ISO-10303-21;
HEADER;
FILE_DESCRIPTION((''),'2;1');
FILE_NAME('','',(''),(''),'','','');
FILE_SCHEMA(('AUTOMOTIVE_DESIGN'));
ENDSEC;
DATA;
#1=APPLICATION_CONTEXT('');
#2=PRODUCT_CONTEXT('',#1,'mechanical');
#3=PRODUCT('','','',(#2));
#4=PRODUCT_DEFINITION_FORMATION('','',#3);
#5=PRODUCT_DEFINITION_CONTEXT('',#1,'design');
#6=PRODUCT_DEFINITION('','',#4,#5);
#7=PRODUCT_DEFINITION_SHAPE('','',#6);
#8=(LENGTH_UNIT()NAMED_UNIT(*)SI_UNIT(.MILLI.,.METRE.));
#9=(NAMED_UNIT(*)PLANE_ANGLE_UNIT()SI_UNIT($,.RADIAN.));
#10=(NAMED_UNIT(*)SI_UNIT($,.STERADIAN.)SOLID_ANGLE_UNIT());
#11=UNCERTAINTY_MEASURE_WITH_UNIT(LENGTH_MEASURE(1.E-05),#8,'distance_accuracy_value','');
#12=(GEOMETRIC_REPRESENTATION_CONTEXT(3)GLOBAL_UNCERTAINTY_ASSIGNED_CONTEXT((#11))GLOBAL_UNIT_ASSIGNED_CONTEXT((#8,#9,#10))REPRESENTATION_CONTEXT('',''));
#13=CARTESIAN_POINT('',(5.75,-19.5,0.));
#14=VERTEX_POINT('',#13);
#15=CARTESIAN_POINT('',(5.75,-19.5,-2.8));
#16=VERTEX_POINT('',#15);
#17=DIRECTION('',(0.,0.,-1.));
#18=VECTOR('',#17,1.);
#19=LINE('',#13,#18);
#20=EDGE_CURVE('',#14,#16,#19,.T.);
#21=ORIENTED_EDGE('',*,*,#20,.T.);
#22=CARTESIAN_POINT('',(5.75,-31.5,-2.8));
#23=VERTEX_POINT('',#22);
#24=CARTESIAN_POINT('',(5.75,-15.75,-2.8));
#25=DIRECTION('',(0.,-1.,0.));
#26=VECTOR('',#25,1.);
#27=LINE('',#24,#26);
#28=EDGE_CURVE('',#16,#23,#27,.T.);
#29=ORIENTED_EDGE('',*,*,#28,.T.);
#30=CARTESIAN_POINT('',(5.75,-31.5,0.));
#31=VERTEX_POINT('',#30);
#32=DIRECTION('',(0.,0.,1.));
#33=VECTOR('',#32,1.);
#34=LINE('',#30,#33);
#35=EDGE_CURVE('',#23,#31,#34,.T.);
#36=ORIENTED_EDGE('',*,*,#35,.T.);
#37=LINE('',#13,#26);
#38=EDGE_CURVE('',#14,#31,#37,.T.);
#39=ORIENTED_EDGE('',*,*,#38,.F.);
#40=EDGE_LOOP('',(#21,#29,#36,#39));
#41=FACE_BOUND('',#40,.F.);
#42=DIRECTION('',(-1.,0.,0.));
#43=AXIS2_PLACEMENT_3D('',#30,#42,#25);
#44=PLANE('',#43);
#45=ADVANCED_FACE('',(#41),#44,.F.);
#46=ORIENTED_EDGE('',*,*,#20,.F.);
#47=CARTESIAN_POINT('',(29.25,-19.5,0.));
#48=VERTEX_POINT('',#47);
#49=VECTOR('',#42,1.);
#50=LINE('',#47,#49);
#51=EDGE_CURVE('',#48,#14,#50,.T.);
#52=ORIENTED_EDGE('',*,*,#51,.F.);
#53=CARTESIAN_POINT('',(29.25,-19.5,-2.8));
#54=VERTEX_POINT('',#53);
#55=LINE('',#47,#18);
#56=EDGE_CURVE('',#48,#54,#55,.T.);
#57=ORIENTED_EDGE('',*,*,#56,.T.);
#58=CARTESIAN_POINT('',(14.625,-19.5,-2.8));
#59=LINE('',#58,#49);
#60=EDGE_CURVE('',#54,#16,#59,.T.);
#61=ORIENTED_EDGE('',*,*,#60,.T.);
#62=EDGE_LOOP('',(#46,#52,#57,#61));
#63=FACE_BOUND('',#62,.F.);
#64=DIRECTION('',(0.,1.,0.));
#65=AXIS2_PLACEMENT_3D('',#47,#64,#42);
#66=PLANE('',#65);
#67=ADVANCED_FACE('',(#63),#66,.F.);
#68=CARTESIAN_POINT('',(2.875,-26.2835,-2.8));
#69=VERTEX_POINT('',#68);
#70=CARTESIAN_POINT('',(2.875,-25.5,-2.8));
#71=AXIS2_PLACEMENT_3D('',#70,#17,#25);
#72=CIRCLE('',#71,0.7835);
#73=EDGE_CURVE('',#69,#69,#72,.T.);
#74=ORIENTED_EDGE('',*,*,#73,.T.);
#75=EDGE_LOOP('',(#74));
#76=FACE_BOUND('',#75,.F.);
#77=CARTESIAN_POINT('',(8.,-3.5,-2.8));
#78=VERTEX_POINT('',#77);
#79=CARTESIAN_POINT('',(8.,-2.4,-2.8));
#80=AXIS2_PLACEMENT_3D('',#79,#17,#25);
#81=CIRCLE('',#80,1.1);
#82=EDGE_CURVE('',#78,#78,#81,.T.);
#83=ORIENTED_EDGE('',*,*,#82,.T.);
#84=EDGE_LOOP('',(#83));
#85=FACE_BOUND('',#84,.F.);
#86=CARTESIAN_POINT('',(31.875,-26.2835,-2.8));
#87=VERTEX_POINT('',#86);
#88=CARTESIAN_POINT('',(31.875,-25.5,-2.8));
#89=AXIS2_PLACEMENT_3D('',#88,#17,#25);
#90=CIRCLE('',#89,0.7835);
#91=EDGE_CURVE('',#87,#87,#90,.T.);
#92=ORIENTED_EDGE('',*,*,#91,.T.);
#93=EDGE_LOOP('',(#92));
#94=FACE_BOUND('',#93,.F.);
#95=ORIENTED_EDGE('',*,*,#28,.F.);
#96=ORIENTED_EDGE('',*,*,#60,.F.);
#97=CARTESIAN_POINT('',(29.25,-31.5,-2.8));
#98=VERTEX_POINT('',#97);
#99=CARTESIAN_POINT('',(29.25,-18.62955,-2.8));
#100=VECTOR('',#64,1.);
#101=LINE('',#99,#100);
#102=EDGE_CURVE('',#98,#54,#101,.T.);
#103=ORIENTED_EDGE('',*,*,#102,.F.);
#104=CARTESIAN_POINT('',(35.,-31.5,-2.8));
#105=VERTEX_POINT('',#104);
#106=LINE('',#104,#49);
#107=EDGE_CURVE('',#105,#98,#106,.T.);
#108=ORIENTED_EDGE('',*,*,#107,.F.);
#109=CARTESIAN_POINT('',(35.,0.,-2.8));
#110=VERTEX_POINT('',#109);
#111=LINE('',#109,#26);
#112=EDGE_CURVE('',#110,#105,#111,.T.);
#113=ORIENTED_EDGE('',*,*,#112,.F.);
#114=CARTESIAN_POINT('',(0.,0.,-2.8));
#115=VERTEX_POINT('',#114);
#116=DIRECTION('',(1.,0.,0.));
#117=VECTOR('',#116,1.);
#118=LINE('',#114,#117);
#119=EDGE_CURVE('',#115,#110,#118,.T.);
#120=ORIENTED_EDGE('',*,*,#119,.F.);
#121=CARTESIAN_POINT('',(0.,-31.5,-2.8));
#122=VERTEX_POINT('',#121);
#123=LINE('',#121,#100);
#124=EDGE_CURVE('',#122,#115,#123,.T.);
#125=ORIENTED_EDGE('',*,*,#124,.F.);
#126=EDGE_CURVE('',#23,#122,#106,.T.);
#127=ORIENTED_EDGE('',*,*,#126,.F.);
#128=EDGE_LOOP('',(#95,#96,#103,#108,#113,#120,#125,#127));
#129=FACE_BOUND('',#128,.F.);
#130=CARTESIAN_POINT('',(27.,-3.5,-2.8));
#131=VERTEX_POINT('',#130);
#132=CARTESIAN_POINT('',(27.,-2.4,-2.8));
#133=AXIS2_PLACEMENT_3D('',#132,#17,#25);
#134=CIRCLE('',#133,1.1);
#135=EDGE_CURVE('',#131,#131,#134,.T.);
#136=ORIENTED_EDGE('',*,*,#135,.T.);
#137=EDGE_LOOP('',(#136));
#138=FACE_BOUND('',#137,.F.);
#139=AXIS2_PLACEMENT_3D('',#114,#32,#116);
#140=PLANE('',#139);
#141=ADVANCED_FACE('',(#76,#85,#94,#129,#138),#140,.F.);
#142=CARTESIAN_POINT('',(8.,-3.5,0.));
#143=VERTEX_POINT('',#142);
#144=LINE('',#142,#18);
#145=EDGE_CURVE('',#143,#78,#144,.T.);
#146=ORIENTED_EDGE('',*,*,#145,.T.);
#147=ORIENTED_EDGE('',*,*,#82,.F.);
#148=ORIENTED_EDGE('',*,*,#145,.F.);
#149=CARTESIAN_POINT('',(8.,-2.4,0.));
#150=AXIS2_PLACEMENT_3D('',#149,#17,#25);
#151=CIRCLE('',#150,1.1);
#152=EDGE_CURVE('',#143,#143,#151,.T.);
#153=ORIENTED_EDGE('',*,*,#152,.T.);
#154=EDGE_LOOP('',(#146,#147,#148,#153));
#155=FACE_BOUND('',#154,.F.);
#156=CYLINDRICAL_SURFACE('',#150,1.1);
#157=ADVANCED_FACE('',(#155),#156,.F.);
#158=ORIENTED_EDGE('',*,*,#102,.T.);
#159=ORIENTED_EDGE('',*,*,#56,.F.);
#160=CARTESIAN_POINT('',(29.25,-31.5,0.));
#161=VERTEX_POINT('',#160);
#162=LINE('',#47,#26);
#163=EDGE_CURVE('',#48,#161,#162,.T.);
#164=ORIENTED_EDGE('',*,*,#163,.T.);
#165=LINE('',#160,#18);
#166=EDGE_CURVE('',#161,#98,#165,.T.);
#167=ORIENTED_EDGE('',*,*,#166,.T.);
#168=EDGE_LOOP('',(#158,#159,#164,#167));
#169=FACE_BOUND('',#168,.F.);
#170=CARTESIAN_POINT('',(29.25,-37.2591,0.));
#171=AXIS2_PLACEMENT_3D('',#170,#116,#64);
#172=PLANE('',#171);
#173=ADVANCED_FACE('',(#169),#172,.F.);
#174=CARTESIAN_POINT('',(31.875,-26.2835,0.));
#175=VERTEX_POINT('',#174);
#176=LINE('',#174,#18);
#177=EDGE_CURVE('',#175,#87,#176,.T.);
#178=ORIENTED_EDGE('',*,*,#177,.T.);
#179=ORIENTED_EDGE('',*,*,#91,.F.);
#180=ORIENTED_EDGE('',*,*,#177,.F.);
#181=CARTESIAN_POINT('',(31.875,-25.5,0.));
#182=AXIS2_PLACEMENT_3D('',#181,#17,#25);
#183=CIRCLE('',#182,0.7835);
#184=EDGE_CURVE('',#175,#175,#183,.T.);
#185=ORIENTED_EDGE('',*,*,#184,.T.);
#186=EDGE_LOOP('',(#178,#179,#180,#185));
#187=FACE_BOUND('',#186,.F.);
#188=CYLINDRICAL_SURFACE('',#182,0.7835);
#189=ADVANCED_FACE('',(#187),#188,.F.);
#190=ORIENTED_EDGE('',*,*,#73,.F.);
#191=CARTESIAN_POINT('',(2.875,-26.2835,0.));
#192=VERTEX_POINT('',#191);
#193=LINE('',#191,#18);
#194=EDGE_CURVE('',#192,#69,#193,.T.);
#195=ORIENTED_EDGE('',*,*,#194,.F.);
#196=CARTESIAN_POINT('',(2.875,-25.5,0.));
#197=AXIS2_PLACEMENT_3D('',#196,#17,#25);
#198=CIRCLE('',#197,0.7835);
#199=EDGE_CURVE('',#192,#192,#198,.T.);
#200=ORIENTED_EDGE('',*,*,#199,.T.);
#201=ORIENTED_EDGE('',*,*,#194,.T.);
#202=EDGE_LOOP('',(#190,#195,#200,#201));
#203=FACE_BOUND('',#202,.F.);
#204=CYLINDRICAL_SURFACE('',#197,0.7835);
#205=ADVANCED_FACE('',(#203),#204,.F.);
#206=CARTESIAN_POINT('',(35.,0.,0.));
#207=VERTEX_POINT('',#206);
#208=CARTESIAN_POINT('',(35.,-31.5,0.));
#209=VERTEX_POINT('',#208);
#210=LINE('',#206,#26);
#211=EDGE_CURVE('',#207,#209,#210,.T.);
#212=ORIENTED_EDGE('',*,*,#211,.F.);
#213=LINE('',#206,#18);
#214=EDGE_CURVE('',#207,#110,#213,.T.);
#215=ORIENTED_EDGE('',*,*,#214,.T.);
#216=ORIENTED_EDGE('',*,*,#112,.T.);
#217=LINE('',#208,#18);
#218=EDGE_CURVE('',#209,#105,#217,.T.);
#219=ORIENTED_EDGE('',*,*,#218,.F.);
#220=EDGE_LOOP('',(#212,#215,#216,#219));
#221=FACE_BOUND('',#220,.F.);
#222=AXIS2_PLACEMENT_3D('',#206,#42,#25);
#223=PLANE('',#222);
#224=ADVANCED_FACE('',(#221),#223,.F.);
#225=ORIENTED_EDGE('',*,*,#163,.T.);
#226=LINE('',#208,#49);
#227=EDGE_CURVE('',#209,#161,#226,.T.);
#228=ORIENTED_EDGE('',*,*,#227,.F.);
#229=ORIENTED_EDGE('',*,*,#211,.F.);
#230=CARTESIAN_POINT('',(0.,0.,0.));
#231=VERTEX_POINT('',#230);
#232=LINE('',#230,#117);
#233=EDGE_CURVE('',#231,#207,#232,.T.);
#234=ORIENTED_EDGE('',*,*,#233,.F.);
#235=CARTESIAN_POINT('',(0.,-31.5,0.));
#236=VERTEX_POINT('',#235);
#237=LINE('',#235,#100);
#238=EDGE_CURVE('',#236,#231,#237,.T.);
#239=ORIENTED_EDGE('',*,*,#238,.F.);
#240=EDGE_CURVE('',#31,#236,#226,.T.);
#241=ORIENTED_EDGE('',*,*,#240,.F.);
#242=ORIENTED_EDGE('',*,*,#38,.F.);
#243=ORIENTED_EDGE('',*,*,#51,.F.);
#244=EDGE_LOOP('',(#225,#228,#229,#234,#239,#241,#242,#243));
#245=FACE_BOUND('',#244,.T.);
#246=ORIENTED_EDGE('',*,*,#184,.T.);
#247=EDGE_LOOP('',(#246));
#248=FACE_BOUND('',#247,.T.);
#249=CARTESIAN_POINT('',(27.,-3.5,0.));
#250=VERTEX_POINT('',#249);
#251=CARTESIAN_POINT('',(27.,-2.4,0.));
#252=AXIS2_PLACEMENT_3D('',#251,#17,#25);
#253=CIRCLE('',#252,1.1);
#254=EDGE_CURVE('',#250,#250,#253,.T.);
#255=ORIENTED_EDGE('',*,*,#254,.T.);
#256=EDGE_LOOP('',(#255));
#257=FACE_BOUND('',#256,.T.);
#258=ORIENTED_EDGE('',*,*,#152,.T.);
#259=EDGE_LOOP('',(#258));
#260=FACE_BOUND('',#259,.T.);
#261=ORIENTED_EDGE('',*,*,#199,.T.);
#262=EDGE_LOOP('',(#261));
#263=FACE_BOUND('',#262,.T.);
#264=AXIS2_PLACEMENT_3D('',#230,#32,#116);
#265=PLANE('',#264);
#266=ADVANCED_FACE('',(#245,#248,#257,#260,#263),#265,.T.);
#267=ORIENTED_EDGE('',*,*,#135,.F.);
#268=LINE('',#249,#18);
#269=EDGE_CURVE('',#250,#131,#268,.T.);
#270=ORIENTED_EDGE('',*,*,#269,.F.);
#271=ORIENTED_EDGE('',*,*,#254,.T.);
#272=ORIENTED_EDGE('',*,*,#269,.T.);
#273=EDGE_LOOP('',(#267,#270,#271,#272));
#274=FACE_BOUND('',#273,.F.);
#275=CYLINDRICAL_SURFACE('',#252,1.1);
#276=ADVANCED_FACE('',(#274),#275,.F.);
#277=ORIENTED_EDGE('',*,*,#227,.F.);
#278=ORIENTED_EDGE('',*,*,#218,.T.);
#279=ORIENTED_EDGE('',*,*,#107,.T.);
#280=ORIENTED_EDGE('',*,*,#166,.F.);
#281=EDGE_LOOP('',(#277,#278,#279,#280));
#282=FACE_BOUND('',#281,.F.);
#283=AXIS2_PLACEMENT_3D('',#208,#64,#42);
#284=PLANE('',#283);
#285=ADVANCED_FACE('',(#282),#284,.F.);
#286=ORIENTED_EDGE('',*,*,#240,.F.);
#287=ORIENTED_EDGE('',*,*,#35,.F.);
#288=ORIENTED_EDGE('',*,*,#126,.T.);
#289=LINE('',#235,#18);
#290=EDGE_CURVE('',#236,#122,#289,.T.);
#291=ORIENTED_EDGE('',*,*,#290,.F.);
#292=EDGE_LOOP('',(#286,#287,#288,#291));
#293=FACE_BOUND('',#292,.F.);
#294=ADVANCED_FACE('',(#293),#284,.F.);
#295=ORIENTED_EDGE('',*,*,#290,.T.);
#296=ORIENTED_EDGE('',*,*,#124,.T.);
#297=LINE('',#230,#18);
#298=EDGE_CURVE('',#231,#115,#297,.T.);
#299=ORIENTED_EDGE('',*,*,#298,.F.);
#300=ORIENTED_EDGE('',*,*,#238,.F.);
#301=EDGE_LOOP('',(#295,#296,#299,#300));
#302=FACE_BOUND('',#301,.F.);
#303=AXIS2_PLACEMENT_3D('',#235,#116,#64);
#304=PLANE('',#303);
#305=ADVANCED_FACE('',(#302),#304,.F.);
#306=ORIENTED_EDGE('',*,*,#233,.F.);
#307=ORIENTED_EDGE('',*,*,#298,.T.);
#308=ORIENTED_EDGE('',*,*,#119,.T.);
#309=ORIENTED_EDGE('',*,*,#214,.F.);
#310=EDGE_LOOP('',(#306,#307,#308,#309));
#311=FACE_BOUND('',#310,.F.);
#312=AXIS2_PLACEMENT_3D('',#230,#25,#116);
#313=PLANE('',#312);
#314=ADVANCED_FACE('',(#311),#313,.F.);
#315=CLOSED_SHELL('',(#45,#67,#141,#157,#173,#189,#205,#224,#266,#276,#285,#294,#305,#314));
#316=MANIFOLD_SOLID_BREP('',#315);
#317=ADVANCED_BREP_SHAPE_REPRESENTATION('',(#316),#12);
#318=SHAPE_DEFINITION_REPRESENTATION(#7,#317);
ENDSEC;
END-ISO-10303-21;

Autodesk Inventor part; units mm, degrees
ref_plane "YZ Plane" through (0, 0, 0) normal (1, 0, 0) x (0, 1, 0)
ref_plane "XZ Plane" through (0, 0, 0) normal (0, 1, 0) x (-1, 0, 0)
ref_plane "XY Plane" through (0, 0, 0) normal (0, 0, 1) x (1, 0, 0)
sketch "Sketch1" plane through (0, 0, 0) normal (0, 0, 1) x (1, 0, 0)
  line L0 (0, 0) -> (35, 0)
  line L1 (35, 0) -> (35, -31.5)
  line L2 (35, -31.5) -> (0, -31.5)
  line L3 (0, -31.5) -> (0, 0)
  dimension "d0" = 31.5
  dimension "d1" = 35
extrude "Extrusion1" add sketch "Sketch1" against normal blind 2.8
sketch "Sketch2" plane through (0, 0, 0) normal (0, 0, 1) x (1, 0, 0)
  line L0 (35, -31.5) -> (0, -31.5) projected
  line L1 (5.75, -37.2591) -> (29.25, -37.2591)
  line L2 (29.25, -37.2591) -> (29.25, -19.5)
  line L3 (29.25, -19.5) -> (5.75, -19.5)
  line L4 (5.75, -19.5) -> (5.75, -37.2591)
  point P0 (17.5, -19.5)
  point P1 (17.5, -31.5)
  dimension "d4" = 12
  dimension "d5" = 23.5
extrude "Extrusion2" cut sketch "Sketch2" against normal through all
sketch "Sketch3" plane through (0, 0, 0) normal (0, 0, 1) x (1, 0, 0)
  line L0 (0, 0) -> (35, 0) projected
  line L1 (0, -31.5) -> (0, 0) projected
  point P0 (8, -2.4)
  point P1 (27, -2.4)
  dimension "d8" = 8
  dimension "d9" = 19
  dimension "d10" = 2.4
hole "Hole1" at (8, -2.4, 0) at (27, -2.4, 0) direction (0, 0, -1) diameter 2.2 end through all
sketch "Sketch4" plane through (0, 0, 0) normal (0, 0, 1) x (1, 0, 0)
  line L0 (29.25, -19.5) -> (29.25, -31.5) projected
  line L1 (5.75, -31.5) -> (0, -31.5) projected
  line L2 (5.75, -31.5) -> (5.75, -19.5) projected
  point P0 (2.875, -25.5)
  point P1 (31.875, -25.5)
  point P2 (5.75, -25.5)
  point P3 (29.25, -25.5)
  point P4 (2.875, -31.5)
hole "Hole2" at (2.875, -25.5, 0) at (31.875, -25.5, 0) direction (0, 0, -1) diameter 1.567 end through all thread size "M2x0.4" class "6H" standard "ISO Metric profile"
properties part number "Servo Mount1"
